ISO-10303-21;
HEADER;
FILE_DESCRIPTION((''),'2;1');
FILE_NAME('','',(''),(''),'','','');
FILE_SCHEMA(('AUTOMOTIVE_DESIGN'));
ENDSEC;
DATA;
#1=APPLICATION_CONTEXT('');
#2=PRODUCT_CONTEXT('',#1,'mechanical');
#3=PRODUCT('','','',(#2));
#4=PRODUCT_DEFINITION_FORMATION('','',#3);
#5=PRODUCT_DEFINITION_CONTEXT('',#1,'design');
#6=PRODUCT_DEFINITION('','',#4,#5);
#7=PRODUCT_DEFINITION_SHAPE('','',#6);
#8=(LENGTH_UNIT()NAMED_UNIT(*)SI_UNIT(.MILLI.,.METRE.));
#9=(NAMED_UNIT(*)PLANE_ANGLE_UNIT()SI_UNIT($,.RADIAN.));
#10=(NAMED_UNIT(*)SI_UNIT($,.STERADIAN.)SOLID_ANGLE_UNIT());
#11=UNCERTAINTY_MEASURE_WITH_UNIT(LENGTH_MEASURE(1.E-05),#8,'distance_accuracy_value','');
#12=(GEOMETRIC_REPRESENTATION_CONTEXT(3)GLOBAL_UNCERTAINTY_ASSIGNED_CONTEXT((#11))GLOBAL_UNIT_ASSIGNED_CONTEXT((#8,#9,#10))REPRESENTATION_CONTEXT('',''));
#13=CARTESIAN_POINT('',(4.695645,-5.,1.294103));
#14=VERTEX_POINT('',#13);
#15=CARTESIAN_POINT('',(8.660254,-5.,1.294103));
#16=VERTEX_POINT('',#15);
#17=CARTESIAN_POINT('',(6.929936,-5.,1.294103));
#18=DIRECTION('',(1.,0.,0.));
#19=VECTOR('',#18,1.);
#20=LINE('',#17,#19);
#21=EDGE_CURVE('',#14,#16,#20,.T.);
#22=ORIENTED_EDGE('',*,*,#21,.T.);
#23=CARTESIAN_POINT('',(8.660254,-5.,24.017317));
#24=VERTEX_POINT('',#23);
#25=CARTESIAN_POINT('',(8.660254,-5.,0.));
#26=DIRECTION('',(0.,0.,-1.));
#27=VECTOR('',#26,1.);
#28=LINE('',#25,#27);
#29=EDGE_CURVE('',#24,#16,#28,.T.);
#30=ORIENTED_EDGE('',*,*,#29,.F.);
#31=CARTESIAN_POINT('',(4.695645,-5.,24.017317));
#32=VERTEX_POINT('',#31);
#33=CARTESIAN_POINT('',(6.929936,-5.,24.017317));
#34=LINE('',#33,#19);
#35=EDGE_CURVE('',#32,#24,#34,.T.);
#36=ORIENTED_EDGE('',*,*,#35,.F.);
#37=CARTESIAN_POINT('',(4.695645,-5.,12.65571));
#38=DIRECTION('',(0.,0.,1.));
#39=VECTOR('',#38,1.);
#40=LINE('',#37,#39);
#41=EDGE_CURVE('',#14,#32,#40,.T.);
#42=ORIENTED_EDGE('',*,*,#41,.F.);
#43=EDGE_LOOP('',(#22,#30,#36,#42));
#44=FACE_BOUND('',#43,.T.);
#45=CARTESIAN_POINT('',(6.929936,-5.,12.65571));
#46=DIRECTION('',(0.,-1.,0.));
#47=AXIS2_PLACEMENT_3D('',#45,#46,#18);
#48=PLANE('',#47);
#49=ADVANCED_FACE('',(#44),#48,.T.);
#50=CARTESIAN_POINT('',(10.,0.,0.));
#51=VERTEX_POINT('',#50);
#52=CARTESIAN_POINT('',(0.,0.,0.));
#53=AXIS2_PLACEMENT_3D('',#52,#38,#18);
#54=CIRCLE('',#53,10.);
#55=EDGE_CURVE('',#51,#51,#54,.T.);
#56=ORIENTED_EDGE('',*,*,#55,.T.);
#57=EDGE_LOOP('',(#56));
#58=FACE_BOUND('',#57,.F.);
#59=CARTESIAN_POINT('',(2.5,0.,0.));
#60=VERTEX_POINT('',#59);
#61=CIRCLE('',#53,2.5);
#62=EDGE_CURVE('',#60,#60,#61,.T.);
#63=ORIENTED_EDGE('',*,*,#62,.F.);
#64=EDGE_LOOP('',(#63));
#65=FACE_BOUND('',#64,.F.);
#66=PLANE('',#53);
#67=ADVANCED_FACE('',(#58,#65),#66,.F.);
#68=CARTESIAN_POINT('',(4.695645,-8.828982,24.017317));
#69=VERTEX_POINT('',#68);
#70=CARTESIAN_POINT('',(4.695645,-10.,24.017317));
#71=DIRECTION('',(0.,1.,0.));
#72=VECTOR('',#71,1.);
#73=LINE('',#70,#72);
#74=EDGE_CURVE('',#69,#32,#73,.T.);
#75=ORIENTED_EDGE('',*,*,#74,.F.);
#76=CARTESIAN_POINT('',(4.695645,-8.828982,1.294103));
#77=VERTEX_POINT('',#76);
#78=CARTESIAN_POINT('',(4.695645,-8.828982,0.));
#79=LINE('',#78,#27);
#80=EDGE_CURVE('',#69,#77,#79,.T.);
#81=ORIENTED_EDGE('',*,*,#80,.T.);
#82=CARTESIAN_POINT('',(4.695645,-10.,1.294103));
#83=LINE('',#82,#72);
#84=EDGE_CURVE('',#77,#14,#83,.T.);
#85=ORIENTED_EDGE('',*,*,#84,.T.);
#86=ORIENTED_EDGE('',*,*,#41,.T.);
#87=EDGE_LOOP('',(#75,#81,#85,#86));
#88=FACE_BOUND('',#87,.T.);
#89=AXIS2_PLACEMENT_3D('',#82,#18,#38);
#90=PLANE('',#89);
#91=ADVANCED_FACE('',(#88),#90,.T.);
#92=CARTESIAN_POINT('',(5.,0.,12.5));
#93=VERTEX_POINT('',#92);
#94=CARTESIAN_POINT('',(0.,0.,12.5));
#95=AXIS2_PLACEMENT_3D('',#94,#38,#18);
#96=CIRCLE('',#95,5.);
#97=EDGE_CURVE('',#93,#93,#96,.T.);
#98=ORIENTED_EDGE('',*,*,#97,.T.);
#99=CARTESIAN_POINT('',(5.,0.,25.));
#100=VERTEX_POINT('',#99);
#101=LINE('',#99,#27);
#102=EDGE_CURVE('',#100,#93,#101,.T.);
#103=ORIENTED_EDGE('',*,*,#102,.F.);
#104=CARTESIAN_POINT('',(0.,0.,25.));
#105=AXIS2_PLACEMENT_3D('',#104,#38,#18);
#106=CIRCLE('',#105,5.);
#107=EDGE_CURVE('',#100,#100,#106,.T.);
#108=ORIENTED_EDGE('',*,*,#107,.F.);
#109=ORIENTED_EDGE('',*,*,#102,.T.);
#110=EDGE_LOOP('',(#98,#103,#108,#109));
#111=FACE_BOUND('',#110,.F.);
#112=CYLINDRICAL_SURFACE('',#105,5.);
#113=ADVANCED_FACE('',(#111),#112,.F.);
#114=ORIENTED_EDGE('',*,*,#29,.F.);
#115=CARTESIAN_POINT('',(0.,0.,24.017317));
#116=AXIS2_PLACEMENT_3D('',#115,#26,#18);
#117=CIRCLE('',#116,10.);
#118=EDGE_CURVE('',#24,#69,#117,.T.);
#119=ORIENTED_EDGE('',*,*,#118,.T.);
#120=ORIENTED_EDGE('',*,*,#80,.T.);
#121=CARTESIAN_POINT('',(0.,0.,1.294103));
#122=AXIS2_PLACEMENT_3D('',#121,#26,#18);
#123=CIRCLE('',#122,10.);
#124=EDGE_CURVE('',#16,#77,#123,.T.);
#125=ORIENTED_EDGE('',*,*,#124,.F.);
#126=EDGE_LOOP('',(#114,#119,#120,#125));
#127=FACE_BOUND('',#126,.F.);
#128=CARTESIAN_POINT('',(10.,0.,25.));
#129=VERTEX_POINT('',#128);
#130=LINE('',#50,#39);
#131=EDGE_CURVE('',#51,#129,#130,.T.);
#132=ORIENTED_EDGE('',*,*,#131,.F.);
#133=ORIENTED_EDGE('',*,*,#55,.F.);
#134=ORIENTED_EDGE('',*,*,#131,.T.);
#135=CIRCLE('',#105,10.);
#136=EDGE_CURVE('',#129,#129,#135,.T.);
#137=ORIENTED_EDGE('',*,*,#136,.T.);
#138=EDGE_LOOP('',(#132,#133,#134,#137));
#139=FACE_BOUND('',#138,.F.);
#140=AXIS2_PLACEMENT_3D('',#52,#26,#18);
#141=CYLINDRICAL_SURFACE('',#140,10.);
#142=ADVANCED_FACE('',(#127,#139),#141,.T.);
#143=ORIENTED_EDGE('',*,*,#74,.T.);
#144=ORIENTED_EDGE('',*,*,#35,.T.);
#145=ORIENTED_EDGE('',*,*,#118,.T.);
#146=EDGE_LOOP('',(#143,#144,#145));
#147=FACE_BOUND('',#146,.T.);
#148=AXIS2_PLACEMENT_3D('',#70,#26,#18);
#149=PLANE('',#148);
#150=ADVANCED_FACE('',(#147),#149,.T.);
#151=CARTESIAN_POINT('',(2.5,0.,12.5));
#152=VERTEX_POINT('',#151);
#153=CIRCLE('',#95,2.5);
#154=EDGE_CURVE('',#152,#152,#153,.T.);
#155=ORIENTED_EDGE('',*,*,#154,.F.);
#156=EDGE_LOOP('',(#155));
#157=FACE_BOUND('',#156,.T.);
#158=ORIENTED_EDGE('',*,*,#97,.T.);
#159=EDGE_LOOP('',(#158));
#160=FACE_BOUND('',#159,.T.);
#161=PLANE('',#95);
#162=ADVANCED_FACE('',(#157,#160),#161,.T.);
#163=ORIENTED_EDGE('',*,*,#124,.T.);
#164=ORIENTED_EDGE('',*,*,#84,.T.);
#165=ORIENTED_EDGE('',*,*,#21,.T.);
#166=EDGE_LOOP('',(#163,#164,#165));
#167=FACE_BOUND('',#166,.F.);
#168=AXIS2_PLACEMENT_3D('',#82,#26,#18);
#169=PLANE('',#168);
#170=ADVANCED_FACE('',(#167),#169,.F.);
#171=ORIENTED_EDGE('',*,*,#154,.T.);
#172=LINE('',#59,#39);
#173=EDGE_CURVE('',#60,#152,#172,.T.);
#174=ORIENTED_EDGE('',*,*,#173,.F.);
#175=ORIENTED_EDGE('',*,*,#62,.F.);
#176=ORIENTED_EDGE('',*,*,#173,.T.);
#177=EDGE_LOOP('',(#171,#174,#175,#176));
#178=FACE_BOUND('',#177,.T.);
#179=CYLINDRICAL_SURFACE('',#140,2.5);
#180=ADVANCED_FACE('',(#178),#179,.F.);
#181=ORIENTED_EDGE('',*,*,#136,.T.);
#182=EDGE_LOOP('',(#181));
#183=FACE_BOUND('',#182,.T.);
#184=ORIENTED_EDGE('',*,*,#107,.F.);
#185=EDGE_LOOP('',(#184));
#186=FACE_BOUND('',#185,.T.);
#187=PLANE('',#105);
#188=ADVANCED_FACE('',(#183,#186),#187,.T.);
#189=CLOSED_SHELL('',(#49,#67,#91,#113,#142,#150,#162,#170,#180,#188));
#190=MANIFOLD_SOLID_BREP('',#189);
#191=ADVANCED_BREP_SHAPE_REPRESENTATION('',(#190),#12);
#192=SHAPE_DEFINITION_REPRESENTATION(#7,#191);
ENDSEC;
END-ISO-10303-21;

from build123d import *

# Parameters (mm, degrees)
F0_R     = 10
F0_R_2   = 2.5
F1_DEPTH = 25
F2_R     = 5
F2_R_2   = 2.5
F3_DEPTH = 12.5
F5_W     = 4.468582
F5_H     = 22.723214
F6_DEPTH = 5


with BuildPart() as f1:
    # F0 (on Top) → F1 (new body)
    with BuildSketch(Plane.XY):
        Circle(F0_R)
        Circle(F0_R_2, mode=Mode.SUBTRACT)
    extrude(amount=F1_DEPTH)

    # F2 (on face) → F3 (cut)
    with BuildSketch(Plane.XY.offset(25)):
        Circle(F2_R)
        Circle(F2_R_2, mode=Mode.SUBTRACT)
    extrude(amount=-F3_DEPTH, mode=Mode.SUBTRACT)

    # F5 (on offset) → F6 (cut)
    with BuildSketch(Plane.XZ.offset(10)):
        with Locations((6.929936, 12.65571)):
            Rectangle(F5_W, F5_H)
    extrude(amount=-F6_DEPTH, mode=Mode.SUBTRACT)


solid = f1.part
